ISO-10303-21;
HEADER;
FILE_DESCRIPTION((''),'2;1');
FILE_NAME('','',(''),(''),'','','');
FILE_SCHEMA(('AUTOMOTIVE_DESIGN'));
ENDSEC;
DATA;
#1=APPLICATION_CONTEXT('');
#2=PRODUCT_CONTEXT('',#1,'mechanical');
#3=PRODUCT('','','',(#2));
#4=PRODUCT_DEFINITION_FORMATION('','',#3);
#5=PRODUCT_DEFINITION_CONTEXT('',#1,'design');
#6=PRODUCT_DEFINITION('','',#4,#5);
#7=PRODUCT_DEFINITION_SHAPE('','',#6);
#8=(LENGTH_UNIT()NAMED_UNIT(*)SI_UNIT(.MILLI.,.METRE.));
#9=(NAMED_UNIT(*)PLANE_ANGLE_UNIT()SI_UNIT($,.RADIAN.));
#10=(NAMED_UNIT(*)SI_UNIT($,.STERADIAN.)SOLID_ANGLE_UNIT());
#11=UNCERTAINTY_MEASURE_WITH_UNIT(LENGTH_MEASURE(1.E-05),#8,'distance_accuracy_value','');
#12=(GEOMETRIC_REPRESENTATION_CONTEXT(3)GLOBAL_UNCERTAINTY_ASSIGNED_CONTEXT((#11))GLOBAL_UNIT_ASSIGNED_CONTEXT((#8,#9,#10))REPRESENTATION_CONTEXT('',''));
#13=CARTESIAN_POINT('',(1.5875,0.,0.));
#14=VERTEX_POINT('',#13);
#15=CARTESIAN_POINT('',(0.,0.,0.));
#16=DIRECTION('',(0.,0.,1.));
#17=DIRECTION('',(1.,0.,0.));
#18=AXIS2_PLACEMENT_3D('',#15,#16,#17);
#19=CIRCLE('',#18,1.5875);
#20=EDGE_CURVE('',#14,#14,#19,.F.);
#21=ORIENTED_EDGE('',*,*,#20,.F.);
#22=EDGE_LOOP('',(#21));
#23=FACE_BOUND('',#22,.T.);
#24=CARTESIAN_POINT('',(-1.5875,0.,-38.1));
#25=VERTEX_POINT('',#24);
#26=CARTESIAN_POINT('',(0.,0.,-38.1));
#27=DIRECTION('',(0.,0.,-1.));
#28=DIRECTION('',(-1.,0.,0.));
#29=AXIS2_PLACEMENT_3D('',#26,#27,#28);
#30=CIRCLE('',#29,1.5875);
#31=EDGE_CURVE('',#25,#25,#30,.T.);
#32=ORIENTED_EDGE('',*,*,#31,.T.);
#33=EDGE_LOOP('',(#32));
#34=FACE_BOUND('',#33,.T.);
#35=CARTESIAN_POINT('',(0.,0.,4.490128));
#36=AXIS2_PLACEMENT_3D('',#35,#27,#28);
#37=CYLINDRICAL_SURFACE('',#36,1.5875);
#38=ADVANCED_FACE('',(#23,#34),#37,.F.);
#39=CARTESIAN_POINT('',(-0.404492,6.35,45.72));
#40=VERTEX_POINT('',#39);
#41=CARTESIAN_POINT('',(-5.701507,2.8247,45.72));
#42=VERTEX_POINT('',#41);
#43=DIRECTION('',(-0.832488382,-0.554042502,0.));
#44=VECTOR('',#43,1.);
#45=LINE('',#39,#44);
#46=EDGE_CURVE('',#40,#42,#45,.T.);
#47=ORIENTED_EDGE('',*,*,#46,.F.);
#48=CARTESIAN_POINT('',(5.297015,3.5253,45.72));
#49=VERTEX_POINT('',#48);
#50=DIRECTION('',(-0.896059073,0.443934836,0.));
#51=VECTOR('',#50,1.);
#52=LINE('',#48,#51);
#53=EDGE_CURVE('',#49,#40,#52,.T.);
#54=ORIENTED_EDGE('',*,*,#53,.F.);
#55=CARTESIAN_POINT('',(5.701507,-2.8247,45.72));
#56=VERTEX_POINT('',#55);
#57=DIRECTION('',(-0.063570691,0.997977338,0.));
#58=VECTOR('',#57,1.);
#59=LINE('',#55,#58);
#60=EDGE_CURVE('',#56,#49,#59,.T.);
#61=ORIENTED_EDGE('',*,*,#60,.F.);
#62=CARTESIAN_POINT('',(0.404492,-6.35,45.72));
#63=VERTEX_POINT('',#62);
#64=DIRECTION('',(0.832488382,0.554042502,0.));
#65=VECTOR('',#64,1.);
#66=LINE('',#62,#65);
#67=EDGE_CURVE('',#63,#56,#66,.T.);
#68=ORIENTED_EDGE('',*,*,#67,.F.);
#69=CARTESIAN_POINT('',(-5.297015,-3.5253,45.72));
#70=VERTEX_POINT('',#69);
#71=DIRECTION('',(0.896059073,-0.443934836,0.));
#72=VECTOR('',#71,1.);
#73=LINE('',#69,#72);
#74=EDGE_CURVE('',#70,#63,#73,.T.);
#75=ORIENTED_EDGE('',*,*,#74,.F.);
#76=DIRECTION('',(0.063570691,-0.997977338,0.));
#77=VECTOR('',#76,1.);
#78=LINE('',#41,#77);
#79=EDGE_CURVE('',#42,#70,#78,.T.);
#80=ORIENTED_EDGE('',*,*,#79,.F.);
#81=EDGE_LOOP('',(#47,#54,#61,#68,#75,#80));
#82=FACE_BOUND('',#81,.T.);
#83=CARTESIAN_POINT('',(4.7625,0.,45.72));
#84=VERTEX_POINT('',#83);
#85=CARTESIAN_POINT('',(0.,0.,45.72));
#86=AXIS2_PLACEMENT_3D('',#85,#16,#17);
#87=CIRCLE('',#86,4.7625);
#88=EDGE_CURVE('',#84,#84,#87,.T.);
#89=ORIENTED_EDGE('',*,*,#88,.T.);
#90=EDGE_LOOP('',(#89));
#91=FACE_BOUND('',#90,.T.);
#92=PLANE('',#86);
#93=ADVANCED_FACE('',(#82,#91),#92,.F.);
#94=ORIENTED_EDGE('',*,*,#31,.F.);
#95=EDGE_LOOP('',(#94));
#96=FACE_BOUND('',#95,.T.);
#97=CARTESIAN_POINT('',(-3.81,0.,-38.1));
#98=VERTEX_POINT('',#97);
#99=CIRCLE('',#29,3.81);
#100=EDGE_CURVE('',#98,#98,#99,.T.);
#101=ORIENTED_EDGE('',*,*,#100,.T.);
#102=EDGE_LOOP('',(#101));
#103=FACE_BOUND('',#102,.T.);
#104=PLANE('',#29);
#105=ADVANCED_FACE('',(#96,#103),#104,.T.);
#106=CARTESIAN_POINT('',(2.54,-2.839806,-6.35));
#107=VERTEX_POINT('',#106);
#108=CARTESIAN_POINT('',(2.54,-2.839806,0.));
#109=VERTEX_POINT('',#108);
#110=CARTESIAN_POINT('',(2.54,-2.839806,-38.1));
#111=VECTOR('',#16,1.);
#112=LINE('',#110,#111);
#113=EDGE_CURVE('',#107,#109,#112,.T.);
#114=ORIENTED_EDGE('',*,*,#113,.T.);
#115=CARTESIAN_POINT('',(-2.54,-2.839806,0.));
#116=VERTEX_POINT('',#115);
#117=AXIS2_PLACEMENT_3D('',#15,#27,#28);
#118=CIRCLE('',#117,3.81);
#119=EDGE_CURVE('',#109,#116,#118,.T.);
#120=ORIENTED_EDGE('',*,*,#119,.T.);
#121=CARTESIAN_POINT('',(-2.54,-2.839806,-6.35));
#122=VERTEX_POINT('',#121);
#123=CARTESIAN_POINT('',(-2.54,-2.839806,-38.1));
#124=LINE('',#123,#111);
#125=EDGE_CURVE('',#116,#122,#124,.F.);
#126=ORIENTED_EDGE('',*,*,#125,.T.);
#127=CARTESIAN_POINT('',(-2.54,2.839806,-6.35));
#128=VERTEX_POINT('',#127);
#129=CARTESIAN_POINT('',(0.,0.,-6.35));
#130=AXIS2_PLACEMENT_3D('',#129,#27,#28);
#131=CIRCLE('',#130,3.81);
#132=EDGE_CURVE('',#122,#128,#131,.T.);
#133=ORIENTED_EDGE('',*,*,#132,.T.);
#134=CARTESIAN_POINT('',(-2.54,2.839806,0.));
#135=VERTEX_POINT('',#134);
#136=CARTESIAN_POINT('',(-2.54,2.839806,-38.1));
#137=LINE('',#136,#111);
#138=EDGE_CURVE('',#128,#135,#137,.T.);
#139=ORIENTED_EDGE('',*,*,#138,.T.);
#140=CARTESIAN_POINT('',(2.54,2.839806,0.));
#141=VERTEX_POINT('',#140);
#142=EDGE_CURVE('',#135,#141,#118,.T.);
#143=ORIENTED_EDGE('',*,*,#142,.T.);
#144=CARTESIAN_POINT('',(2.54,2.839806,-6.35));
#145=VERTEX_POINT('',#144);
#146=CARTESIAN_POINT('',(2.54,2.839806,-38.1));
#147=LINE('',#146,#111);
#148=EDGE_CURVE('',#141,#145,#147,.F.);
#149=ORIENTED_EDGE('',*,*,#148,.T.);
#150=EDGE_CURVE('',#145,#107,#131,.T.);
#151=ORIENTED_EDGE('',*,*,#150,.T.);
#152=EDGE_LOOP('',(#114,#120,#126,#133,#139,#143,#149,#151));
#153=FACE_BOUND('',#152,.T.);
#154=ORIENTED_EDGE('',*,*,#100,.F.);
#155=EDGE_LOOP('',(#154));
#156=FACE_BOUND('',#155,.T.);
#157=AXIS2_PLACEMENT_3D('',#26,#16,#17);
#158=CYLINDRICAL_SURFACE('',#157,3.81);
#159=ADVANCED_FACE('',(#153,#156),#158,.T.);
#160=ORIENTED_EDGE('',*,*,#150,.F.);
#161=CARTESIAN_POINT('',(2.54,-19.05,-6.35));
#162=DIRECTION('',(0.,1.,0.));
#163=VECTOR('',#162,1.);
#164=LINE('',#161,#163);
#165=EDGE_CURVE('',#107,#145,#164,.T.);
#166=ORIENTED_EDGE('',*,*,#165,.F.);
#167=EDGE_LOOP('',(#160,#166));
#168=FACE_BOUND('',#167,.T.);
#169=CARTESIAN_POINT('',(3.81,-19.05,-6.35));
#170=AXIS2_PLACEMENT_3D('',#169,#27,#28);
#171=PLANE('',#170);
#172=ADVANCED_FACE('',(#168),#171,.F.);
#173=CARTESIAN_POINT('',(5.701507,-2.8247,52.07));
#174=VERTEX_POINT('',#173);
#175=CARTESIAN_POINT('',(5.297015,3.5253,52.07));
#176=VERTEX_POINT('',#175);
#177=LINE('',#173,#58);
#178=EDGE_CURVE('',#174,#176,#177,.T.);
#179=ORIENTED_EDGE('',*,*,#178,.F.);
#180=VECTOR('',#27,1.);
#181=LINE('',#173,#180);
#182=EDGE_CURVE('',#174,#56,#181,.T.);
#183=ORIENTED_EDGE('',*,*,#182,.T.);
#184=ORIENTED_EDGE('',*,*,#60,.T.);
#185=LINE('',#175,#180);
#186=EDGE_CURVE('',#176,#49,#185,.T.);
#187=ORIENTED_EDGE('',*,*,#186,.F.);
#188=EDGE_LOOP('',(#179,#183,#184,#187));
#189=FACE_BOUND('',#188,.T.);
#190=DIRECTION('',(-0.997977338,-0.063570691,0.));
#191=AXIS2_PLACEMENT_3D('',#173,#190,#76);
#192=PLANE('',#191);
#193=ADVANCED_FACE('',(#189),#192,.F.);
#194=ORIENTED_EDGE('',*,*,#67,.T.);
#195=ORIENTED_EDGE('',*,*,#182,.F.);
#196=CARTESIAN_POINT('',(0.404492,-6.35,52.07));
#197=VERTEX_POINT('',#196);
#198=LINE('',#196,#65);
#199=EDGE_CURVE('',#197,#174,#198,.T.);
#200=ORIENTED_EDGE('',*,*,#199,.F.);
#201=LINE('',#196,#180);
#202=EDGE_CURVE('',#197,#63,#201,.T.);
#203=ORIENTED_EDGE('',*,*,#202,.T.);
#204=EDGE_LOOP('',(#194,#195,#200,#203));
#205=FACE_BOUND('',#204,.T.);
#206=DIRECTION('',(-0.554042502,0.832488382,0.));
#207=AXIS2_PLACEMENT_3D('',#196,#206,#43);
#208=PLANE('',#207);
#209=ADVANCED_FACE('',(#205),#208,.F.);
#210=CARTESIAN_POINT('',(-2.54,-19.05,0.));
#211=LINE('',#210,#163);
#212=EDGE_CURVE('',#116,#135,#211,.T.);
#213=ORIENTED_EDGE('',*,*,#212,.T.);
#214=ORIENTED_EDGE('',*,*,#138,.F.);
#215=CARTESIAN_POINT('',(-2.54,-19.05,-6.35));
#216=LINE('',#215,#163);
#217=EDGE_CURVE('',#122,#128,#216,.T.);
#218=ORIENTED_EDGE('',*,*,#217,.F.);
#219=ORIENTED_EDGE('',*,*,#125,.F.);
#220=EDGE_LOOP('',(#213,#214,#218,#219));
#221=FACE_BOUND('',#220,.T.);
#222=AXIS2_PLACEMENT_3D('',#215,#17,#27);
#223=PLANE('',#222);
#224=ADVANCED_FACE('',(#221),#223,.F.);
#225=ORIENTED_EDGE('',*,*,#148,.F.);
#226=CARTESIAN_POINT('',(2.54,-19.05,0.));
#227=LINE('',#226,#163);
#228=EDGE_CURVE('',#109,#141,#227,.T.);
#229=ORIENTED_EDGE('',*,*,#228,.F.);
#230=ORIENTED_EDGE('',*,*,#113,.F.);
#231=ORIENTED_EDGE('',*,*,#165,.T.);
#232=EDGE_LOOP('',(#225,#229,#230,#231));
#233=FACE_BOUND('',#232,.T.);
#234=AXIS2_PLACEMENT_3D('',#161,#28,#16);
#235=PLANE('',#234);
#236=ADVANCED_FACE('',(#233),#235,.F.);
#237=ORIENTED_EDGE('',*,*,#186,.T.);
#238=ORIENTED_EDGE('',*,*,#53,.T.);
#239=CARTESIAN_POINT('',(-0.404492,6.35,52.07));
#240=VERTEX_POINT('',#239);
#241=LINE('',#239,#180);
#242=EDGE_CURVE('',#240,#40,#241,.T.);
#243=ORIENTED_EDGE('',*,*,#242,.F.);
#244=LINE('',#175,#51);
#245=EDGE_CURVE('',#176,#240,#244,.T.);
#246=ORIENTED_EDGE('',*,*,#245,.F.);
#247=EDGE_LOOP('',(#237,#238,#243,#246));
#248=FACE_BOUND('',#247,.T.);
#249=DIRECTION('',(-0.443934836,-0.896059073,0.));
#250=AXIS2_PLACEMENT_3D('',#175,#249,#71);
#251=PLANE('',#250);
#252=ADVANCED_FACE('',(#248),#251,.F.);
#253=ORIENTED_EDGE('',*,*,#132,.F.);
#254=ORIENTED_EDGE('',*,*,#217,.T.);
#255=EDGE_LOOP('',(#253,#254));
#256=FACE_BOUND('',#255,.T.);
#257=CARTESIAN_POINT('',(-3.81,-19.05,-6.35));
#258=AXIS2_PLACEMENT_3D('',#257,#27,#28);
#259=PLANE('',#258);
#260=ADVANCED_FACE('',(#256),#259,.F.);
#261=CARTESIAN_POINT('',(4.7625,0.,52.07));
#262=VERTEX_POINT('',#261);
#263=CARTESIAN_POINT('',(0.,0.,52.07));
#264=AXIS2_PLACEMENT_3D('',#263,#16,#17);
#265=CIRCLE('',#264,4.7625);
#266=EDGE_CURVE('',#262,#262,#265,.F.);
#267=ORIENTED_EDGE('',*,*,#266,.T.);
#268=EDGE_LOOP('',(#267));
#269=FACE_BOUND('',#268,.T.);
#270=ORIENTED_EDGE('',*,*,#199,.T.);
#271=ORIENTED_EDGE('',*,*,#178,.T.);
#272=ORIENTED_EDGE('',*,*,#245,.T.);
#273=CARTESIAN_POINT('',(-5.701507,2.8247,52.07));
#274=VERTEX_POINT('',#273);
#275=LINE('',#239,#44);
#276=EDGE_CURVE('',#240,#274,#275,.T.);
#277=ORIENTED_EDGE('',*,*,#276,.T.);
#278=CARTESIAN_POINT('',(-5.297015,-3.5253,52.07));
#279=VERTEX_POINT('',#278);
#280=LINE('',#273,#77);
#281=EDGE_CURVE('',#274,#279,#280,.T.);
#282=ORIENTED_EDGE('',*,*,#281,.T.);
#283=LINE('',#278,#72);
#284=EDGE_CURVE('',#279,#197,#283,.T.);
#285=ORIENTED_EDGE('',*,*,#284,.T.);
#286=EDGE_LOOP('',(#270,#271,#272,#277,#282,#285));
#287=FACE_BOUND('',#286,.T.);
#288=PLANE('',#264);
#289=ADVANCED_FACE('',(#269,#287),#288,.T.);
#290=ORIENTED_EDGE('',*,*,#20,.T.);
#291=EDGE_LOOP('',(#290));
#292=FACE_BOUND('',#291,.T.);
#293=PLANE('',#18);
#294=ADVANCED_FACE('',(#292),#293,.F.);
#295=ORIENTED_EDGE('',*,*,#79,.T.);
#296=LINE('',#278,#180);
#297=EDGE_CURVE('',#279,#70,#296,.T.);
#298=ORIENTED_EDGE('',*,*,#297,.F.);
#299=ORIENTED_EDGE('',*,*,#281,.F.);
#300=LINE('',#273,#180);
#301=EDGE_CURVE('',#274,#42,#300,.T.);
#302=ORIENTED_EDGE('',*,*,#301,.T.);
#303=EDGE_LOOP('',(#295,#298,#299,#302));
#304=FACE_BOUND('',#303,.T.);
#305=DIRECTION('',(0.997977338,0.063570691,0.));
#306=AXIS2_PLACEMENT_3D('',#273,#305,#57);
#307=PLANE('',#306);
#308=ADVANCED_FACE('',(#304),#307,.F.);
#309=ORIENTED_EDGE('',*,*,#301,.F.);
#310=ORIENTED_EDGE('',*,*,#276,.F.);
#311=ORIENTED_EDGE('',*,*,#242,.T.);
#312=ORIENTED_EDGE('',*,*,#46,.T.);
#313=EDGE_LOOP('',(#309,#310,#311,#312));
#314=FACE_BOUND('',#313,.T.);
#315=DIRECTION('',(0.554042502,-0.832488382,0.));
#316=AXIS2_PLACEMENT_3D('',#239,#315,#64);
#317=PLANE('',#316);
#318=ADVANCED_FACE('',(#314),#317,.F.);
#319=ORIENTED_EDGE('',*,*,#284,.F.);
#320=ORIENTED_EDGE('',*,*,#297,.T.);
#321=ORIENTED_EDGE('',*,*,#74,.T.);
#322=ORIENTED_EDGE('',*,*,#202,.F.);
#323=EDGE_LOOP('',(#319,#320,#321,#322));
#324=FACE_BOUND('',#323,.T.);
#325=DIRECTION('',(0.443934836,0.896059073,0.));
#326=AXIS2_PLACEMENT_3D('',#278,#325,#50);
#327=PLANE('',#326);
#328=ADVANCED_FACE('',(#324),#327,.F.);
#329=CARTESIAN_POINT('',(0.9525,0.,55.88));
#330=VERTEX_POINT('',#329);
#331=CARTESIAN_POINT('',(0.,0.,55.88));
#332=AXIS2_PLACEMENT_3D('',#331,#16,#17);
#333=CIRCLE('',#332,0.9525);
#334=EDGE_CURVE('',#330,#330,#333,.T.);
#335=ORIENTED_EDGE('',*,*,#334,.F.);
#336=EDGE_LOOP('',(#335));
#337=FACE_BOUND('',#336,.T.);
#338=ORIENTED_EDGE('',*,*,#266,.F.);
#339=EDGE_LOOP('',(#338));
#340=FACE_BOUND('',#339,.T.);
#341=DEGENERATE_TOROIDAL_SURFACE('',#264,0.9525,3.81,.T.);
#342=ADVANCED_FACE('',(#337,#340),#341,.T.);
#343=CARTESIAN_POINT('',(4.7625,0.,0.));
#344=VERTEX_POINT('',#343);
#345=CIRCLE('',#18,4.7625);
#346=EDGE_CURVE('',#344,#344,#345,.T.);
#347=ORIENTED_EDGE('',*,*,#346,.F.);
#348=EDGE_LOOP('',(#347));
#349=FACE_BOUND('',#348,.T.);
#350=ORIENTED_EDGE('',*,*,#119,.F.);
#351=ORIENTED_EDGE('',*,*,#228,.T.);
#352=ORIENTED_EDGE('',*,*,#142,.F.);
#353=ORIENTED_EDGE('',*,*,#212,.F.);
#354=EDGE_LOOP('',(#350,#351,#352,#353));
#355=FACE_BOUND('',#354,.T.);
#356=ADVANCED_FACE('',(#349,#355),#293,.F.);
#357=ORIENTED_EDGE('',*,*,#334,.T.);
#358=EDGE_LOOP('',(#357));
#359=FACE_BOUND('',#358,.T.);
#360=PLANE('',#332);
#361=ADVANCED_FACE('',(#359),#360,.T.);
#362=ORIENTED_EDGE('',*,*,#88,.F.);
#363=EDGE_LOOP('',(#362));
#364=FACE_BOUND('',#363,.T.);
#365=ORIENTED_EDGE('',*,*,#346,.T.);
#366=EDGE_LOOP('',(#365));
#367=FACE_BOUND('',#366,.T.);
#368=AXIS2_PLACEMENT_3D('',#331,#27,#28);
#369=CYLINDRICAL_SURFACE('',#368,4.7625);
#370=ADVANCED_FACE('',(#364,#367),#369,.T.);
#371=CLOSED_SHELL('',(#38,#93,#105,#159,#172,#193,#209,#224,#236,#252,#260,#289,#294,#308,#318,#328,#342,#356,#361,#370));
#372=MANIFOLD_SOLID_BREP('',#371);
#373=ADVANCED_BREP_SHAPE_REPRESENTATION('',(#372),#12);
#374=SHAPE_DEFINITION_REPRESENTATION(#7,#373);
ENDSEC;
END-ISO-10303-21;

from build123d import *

# Parameters (mm, degrees)
SKETCH1_R           = 4.7625
BOSS_EXTRUDE1_DEPTH = 55.88
SKETCH2_R           = 3.81
BOSS_EXTRUDE2_DEPTH = 38.1
SKETCH3_W           = 1.27
SKETCH3_H           = 6.35
CUT_EXTRUDE1_DEPTH  = 19.05
SKETCH4_R           = 1.5875
CUT_EXTRUDE2_DEPTH  = 38.1
FILLET2_R           = 3.81
BOSS_EXTRUDE3_START = 45.72
BOSS_EXTRUDE3_DEPTH = 6.35


with BuildPart() as part:
    # Sketch1 → Boss-Extrude1 (new body)
    with BuildSketch(Plane.XY):
        Circle(SKETCH1_R)
    extrude(amount=BOSS_EXTRUDE1_DEPTH)

    # Sketch2 → Boss-Extrude2 (add)
    with BuildSketch(Plane(origin=(0, 0, 0), x_dir=(-1, 0, 0), z_dir=(0, 0, -1))):
        with Locations(Location((0, 0, 0), (0, 0, 180))):
            Circle(SKETCH2_R)
    extrude(amount=BOSS_EXTRUDE2_DEPTH)

    # Sketch3 → Cut-Extrude1 (cut, symmetric)
    with BuildSketch(Plane(origin=(0, 0, 0), x_dir=(1, 0, 0), z_dir=(0, 1, 0))):
        with Locations((-3.175, 3.175)):
            Rectangle(SKETCH3_W, SKETCH3_H)
        with Locations((3.175, 3.175)):
            Rectangle(SKETCH3_W, SKETCH3_H)
    extrude(amount=CUT_EXTRUDE1_DEPTH, both=True, mode=Mode.SUBTRACT)

    # Sketch4 → Cut-Extrude2 (cut)
    with BuildSketch(Plane(origin=(0, 0, -38.1), x_dir=(-1, 0, 0), z_dir=(0, 0, -1))):
        Circle(SKETCH4_R)
    extrude(amount=-CUT_EXTRUDE2_DEPTH, mode=Mode.SUBTRACT)

    # Fillet2
    fillet2_edges = [part.edges().sort_by_distance(p)[0] for p in [
        (-4.7625, 0, 55.88),
    ]]
    fillet(fillet2_edges, radius=FILLET2_R)

    # Sketch7 → Boss-Extrude3 (add)
    with BuildSketch(Plane.XY.offset(BOSS_EXTRUDE3_START)):
        Polygon((5.701507332, -2.824699621), (5.297015296, 3.525300379), (-0.404492036, 6.35), (-5.701507332, 2.824699621), (-5.297015296, -3.525300379), (0.404492036, -6.35), align=None)
    extrude(amount=BOSS_EXTRUDE3_DEPTH)


solid = part.part
